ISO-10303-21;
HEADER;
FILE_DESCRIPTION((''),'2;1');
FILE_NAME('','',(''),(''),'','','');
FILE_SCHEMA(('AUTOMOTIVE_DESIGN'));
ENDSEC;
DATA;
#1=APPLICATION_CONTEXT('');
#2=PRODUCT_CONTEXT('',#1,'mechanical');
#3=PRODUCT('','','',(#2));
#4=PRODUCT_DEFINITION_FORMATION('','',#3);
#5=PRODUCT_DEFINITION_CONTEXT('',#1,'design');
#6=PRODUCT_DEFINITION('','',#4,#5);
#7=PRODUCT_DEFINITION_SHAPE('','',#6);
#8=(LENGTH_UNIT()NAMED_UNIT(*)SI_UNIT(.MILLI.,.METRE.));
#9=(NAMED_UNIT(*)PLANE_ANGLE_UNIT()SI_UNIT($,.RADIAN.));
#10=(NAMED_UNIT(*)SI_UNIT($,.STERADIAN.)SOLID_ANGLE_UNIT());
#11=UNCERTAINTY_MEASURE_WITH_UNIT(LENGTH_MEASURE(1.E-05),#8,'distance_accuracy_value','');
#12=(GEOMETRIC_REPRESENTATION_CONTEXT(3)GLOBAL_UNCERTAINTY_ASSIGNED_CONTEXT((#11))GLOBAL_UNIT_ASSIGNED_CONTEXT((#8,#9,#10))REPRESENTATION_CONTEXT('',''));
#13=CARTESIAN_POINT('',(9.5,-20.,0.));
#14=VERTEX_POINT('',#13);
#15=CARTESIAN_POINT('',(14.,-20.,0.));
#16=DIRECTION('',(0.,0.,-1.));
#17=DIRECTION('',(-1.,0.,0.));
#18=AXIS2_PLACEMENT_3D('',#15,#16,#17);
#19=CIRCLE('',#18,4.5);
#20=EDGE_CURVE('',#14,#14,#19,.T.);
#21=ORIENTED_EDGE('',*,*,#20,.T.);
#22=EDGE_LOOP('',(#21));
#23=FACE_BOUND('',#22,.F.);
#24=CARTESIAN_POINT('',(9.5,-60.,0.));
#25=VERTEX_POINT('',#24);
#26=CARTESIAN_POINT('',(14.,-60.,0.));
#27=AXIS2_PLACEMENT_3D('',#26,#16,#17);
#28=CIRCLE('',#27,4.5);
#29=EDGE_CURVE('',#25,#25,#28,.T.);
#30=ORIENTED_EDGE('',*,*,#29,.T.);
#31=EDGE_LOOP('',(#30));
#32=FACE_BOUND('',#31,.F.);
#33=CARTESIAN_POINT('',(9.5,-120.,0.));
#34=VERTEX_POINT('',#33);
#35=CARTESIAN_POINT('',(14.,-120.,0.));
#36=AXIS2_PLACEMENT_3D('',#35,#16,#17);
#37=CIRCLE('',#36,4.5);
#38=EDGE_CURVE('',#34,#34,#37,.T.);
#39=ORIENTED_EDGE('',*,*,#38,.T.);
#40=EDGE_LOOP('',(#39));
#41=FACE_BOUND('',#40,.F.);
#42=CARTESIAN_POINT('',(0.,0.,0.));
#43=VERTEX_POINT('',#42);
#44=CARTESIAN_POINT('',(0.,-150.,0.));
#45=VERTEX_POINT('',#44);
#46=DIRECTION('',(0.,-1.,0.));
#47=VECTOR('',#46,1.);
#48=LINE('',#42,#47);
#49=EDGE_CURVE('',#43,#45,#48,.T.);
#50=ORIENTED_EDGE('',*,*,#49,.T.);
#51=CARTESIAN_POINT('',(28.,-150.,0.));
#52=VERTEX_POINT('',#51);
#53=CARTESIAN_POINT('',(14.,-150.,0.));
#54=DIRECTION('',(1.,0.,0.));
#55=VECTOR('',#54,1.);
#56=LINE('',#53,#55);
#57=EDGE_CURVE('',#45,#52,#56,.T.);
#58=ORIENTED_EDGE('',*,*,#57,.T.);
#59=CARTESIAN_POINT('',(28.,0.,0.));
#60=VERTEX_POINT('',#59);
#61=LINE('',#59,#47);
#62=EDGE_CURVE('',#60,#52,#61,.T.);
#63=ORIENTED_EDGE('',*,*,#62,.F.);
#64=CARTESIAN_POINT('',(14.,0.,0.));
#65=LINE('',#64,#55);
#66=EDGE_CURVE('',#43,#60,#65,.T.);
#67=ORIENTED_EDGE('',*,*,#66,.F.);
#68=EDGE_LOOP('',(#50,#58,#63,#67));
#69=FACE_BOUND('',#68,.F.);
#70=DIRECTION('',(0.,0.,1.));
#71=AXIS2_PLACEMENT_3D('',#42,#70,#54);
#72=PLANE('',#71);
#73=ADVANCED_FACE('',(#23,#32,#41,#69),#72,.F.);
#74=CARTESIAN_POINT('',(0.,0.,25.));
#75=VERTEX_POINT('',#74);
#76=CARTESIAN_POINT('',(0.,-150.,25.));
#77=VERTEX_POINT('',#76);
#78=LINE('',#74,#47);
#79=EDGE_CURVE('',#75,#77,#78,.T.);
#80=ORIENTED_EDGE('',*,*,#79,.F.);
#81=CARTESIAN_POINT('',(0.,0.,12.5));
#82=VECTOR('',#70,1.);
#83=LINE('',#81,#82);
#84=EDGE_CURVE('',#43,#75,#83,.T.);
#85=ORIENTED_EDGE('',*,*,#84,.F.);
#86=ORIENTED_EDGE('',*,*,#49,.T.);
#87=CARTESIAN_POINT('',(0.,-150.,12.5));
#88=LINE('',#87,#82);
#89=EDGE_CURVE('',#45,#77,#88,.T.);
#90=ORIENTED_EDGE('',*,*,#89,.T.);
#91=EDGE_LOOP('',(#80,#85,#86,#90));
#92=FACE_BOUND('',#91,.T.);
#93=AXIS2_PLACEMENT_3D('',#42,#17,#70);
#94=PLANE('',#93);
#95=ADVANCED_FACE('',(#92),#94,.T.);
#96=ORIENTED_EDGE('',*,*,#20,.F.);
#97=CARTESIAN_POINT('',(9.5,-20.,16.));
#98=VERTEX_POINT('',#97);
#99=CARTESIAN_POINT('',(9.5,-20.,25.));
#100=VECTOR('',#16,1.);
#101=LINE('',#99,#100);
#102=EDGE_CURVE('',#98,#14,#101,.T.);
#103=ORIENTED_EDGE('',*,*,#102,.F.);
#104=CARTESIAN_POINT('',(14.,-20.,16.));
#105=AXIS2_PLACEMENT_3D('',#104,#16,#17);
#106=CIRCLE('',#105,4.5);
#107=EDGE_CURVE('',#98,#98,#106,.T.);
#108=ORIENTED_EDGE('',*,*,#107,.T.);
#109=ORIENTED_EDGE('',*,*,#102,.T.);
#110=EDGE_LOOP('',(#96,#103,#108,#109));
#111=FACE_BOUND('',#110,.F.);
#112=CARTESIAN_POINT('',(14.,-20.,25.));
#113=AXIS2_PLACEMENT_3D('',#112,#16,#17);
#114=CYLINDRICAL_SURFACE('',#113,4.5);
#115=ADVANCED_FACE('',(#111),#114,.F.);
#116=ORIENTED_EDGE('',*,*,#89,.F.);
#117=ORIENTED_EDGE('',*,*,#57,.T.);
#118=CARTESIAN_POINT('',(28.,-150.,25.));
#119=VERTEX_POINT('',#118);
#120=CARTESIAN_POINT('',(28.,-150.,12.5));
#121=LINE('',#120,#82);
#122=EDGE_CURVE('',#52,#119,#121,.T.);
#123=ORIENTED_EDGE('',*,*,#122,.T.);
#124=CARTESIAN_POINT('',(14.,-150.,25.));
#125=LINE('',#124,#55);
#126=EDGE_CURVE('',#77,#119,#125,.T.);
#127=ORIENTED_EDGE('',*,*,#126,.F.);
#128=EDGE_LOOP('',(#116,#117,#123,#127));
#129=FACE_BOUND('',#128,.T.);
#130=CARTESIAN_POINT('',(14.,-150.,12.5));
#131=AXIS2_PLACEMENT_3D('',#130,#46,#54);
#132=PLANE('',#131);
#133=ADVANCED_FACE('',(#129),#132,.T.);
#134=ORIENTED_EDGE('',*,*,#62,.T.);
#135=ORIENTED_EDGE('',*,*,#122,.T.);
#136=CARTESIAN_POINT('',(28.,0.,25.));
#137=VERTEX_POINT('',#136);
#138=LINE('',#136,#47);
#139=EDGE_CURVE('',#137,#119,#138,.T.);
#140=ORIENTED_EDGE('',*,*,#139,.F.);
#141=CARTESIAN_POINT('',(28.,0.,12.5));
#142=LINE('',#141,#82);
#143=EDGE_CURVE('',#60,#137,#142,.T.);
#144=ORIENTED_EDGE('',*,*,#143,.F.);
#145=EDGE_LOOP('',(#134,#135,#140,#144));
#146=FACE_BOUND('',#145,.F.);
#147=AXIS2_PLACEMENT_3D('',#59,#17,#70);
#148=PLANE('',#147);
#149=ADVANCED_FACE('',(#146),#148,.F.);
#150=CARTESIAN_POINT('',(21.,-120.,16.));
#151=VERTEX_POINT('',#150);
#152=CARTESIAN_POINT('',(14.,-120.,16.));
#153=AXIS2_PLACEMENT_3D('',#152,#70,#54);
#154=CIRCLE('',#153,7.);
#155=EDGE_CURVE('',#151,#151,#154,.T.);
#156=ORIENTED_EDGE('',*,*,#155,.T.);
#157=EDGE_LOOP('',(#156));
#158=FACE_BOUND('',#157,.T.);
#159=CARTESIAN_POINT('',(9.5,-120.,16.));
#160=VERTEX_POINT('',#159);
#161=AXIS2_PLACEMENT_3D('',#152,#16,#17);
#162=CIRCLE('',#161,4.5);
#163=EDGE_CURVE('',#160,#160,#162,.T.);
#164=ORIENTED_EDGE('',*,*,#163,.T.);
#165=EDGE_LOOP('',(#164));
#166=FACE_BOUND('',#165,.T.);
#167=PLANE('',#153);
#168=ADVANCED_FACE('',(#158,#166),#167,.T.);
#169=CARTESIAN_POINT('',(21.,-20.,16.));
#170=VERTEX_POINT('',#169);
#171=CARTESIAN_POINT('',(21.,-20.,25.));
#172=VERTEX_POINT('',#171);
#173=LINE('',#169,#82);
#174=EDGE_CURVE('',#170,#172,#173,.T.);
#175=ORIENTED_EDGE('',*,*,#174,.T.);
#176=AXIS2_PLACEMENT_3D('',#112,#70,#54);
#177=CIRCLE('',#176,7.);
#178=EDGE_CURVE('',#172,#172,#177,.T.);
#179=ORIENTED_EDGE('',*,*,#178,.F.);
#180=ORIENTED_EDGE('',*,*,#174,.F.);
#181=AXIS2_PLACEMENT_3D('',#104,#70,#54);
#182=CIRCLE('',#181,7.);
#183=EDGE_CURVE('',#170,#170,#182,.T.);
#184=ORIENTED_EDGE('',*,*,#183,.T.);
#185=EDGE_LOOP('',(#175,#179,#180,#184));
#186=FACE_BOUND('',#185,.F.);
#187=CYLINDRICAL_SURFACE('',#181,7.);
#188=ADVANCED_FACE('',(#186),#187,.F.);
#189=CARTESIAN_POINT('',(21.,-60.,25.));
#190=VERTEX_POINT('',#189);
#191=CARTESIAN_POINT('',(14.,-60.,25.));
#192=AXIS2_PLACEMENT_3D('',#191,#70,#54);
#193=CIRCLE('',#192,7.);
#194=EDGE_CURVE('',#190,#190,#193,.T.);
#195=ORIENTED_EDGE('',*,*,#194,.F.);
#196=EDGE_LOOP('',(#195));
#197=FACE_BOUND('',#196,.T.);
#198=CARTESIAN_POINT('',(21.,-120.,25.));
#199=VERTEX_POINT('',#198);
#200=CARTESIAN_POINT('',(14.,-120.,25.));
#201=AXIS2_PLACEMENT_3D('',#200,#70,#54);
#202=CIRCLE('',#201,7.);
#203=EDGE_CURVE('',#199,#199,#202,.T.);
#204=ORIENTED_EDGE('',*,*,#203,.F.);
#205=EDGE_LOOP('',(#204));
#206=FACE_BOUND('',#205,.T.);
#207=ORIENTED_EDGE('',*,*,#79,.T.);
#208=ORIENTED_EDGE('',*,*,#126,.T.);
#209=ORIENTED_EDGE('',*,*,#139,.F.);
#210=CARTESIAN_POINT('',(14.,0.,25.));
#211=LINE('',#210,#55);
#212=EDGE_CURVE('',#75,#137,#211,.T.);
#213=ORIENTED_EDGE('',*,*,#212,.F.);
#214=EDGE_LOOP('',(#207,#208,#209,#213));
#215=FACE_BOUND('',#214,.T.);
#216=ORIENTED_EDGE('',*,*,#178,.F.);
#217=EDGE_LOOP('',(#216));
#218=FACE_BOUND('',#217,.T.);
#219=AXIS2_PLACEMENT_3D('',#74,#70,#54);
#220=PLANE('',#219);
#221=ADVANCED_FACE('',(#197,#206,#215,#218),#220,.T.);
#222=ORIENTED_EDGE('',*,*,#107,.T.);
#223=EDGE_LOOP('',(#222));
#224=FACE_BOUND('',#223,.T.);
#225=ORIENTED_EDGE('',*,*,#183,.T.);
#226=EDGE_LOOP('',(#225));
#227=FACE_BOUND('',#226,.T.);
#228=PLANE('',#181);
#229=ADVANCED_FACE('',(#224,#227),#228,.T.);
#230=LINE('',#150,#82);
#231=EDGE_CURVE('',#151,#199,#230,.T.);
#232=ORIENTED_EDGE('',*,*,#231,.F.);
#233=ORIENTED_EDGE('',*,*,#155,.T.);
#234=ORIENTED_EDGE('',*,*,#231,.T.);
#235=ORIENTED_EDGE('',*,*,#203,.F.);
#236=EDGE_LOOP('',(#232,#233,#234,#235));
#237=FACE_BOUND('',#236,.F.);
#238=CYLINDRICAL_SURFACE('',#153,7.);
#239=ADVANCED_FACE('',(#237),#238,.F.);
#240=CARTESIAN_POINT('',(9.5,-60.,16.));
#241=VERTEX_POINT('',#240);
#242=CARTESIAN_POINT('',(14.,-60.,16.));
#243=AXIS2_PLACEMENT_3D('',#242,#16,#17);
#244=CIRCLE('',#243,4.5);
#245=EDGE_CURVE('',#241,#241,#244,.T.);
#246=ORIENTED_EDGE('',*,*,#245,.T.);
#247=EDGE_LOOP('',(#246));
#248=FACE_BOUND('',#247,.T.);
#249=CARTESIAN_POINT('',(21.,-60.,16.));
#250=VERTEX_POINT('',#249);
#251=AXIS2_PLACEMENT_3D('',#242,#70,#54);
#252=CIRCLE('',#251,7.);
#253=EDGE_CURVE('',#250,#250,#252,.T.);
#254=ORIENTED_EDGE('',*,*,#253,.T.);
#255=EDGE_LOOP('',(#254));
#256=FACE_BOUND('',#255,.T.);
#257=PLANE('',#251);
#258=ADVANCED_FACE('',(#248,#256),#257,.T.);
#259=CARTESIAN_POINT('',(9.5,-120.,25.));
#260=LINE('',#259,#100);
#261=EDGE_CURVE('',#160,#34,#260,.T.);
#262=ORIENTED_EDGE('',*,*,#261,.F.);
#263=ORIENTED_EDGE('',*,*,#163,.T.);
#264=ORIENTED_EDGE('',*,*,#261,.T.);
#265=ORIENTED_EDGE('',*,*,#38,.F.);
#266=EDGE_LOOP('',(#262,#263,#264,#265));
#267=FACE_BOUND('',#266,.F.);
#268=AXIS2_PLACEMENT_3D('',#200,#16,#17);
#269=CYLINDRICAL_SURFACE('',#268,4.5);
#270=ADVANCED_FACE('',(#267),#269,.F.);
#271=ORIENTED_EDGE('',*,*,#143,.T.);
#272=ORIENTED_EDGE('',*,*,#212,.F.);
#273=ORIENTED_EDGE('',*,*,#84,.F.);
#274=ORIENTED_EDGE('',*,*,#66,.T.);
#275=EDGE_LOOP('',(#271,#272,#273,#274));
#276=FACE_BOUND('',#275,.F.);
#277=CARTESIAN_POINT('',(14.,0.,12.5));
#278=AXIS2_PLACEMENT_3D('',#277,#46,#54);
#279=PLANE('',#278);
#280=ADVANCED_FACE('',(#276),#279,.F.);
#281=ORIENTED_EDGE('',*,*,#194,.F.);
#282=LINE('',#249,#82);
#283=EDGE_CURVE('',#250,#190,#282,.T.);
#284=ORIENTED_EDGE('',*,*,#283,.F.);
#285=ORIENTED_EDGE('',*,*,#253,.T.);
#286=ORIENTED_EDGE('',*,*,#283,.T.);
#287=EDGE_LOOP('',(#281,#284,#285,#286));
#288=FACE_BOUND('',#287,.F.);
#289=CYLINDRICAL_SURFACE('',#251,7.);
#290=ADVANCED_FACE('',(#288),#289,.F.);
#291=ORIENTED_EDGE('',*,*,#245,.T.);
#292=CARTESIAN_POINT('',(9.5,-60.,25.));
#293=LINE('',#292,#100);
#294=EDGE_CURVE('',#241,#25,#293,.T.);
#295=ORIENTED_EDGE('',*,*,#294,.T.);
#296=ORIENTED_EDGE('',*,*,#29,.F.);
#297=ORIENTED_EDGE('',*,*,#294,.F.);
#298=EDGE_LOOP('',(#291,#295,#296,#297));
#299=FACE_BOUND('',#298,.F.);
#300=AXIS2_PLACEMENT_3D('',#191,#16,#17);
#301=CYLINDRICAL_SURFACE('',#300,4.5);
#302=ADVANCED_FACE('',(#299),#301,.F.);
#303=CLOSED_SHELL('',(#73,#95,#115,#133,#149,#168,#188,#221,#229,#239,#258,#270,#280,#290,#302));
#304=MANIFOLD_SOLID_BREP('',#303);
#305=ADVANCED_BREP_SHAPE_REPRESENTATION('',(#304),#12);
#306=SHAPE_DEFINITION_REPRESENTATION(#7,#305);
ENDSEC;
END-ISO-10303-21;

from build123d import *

# Parameters (mm, degrees)
F0_W           = 28
F0_H           = 25
F1_DEPTH       = 150
F3_D           = 9
F3_CBORE_D     = 14
F3_CBORE_DEPTH = 9


with BuildPart() as f1:
    # F0 (on Front) → F1 (new body)
    with BuildSketch(Plane.XZ):
        with Locations((14, 12.5)):
            Rectangle(F0_W, F0_H)
    extrude(amount=F1_DEPTH)

    # F3 (through all)
    with Locations(Plane.XY.offset(25)):
        with Locations((14, -20), (14, -60), (14, -120)):
            CounterBoreHole(F3_D / 2, F3_CBORE_D / 2, F3_CBORE_DEPTH)


solid = f1.part
